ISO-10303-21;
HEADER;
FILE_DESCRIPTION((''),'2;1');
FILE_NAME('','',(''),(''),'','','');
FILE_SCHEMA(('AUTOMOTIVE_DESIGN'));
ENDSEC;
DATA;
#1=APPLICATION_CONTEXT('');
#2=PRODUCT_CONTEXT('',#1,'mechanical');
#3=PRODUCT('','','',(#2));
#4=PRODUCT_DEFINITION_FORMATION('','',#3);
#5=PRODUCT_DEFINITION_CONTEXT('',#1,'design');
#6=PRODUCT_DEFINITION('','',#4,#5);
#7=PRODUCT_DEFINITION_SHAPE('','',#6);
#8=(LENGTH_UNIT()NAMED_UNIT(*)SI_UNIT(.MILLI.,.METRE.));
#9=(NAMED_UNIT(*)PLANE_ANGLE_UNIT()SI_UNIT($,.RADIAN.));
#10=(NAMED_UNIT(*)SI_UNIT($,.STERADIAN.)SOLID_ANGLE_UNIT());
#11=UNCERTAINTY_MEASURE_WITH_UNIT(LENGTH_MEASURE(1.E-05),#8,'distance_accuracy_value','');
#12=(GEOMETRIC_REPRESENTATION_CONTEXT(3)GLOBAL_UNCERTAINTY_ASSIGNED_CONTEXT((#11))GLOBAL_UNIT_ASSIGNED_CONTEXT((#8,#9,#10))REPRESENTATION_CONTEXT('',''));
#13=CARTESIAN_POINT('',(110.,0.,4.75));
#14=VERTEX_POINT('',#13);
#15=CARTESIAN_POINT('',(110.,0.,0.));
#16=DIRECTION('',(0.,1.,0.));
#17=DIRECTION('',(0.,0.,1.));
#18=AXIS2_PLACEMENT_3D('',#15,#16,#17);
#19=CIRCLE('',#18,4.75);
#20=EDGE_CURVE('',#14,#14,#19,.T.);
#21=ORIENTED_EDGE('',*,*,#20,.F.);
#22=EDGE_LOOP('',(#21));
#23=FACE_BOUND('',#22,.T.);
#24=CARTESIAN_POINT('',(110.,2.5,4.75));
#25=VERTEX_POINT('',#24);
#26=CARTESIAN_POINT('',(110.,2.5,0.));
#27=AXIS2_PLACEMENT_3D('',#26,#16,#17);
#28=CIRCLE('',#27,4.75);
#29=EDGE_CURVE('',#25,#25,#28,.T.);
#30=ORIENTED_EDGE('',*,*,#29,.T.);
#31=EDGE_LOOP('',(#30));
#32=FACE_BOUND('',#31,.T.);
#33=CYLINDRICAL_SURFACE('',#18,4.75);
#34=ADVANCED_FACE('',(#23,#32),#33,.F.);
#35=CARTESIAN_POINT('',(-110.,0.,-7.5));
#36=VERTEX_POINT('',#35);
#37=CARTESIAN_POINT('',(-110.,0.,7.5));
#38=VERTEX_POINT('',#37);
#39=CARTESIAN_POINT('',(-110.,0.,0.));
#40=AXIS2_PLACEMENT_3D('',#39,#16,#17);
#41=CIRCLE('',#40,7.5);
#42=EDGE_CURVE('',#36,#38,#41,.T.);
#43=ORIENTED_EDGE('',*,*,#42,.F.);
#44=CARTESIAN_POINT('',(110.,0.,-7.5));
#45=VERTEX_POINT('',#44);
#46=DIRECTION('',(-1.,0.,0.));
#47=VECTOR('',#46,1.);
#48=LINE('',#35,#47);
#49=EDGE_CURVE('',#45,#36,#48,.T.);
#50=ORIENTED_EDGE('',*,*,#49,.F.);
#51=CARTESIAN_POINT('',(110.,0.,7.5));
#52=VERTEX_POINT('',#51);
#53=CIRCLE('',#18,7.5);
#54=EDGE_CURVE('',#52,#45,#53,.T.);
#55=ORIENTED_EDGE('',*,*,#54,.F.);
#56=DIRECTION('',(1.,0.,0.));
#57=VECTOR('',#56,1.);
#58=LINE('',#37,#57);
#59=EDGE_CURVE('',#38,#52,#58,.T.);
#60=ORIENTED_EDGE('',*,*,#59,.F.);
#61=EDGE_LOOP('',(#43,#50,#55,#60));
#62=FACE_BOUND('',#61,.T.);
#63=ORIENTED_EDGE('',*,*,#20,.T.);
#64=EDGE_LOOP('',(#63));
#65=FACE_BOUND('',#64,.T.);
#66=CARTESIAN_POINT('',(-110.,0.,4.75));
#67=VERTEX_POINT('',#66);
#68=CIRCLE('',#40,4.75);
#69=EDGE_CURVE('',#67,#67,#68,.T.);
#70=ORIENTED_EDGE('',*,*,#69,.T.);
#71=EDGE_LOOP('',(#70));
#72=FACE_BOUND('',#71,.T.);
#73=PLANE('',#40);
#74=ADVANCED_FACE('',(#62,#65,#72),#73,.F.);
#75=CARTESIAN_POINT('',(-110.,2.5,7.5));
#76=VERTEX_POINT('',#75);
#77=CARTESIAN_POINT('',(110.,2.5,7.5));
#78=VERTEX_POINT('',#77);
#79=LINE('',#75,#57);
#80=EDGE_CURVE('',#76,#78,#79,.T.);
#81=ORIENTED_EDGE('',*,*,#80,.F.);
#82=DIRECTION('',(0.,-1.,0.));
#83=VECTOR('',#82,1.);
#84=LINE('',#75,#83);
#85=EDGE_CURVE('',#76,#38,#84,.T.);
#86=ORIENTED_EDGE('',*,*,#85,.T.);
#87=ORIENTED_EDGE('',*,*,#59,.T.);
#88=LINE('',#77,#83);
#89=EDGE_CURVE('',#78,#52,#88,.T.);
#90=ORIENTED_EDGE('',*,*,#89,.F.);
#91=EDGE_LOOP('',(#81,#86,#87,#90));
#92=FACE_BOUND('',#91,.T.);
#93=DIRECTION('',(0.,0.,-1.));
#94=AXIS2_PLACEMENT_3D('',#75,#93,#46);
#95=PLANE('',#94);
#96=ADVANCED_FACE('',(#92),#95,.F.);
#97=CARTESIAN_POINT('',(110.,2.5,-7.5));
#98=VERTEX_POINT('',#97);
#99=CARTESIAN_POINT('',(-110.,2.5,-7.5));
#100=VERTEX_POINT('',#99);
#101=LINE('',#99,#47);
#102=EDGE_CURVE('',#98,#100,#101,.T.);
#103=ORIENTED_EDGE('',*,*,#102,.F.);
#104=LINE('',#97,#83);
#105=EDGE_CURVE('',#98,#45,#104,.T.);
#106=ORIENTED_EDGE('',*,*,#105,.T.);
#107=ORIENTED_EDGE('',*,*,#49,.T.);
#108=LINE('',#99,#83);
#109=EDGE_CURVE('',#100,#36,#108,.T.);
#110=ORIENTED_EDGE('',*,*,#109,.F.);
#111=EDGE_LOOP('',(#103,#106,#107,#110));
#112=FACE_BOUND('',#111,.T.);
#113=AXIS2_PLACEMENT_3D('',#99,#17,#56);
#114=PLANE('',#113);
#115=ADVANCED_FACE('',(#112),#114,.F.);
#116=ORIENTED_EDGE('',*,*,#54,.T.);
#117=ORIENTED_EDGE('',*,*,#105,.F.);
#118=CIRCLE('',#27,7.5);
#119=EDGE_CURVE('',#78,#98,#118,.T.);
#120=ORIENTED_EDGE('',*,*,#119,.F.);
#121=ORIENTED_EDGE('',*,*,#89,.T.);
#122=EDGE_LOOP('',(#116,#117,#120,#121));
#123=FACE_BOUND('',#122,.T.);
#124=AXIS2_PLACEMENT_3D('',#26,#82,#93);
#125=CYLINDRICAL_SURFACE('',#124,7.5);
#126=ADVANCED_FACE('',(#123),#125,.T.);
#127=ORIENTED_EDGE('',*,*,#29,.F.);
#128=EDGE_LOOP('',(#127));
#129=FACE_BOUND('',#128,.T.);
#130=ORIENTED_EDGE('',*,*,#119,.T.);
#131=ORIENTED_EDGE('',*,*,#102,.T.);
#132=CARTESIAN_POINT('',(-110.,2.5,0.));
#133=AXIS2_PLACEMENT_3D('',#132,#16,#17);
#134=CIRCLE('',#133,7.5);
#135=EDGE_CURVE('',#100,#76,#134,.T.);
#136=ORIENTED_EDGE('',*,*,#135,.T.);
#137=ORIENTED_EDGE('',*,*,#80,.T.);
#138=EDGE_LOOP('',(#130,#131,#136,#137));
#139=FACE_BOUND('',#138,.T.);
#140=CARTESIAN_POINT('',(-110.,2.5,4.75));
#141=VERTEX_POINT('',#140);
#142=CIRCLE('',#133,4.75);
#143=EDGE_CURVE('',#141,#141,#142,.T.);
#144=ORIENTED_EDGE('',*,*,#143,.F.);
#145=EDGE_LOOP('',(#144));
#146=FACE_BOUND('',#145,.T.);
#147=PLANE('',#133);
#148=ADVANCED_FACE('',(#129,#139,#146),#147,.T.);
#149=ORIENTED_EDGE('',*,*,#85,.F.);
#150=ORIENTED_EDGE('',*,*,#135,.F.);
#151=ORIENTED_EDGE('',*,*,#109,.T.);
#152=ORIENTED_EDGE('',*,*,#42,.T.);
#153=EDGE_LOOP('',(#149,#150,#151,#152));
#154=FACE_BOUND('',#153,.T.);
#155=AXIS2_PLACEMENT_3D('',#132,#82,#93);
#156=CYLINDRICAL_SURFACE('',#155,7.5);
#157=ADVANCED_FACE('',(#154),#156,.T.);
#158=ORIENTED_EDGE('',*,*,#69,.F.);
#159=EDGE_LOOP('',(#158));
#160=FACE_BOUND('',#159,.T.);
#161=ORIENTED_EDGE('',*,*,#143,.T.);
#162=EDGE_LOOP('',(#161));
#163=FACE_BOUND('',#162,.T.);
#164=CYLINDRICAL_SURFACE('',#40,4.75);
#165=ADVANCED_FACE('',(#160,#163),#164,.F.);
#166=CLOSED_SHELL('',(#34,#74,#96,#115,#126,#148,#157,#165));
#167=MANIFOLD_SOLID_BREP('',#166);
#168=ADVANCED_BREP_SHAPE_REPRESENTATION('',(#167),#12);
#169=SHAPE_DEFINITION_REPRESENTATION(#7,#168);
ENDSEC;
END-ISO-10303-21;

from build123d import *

# Parameters (mm, degrees)
SALIENTE_EXTRUIR1_DEPTH = 2.5
CROQUIS2_R              = 4.75
CORTAR_EXTRUIR1_DEPTH   = 118.765657133


with BuildPart() as part:
    # Croquis1 → Saliente-Extruir1 (new body)
    with BuildSketch(Plane(origin=(0, 0, 0), x_dir=(1, 0, 0), z_dir=(0, 1, 0))):
        with BuildLine():
            Line((-110, 7.5), (110, 7.5))
            ThreePointArc((110, 7.5), (117.5, 0), (110, -7.5))
            Line((110, -7.5), (-110, -7.5))
            ThreePointArc((-110, -7.5), (-117.5, 0), (-110, 7.5))
        make_face()
    extrude(amount=SALIENTE_EXTRUIR1_DEPTH)

    # Croquis2 → Cortar-Extruir1 (cut, through all)
    with BuildSketch(Plane(origin=(0, 2.5, 0), x_dir=(1, 0, 0), z_dir=(0, 1, 0))):
        with Locations(Location((-110, 0, 0), (0, 0, 270))):
            Circle(CROQUIS2_R)
        with Locations(Location((110, 0, 0), (0, 0, 270))):
            Circle(CROQUIS2_R)
    extrude(amount=-CORTAR_EXTRUIR1_DEPTH, mode=Mode.SUBTRACT)


solid = part.part
